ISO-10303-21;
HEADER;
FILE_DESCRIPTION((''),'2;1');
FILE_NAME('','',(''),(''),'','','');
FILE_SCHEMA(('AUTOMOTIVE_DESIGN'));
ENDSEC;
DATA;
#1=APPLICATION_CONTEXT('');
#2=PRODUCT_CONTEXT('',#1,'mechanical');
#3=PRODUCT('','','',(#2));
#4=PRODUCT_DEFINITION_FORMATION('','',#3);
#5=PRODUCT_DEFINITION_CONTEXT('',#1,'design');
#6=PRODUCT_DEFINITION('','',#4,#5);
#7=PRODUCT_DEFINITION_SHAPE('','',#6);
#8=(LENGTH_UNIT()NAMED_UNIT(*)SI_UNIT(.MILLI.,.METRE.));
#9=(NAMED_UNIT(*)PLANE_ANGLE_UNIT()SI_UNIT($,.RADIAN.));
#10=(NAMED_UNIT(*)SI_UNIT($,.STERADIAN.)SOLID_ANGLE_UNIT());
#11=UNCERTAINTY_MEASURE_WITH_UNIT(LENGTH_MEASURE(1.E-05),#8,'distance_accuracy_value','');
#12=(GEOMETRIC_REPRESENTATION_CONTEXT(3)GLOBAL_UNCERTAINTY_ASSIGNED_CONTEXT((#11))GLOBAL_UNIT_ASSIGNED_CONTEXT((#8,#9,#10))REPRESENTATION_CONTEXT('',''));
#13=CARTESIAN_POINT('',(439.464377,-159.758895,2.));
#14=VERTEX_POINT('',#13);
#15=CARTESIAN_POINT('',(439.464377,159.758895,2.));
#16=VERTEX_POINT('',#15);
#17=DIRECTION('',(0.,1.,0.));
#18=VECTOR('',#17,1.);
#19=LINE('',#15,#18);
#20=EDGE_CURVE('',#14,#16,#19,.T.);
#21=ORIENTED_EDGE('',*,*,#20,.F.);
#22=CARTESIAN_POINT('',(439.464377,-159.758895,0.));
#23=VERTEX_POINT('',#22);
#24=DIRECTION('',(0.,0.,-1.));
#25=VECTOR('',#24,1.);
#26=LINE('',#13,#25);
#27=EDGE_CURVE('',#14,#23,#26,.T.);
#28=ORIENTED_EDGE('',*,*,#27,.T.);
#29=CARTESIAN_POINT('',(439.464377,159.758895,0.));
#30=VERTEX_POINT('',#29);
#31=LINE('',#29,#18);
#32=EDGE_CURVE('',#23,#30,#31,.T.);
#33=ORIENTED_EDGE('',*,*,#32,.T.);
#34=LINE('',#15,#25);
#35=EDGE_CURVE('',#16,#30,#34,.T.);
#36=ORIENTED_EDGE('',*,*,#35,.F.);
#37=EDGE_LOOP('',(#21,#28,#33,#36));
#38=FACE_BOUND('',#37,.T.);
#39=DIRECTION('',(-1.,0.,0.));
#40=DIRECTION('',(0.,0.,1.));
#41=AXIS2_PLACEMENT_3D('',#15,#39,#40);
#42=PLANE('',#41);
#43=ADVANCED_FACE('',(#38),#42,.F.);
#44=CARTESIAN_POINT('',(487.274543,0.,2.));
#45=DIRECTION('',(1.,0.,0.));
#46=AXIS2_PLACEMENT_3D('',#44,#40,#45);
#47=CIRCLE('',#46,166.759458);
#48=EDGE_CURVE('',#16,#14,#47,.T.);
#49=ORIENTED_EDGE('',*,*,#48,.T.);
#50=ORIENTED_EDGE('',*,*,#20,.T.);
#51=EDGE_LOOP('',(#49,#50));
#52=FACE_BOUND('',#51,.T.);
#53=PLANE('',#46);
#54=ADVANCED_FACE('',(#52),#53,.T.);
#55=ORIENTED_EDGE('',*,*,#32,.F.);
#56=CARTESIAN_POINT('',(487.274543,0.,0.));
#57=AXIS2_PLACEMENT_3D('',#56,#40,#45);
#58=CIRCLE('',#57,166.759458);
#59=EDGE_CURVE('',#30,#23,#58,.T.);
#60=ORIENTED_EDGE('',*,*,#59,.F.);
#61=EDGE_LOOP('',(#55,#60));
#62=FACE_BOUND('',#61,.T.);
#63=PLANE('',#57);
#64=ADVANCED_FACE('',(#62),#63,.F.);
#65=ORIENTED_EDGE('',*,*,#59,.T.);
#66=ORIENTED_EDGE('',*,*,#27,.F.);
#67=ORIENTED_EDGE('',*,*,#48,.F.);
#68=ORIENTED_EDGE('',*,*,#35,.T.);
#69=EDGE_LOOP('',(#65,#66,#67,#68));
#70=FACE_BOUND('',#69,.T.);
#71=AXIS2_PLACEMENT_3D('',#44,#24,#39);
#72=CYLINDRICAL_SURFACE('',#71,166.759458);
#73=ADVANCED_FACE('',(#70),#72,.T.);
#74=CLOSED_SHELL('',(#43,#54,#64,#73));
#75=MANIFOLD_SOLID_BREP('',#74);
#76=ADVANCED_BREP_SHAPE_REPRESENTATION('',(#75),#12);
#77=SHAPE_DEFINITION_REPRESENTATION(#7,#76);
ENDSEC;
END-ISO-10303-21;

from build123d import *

# Parameters (mm, degrees)
BOSS_EXTRUDE1_DEPTH = 2


with BuildPart() as part:
    # Sketch1 → Boss-Extrude1 (new body)
    with BuildSketch(Plane.XY):
        with BuildLine():
            Line((439.464376559, 159.758895406), (439.464376559, -159.758895406))
            ThreePointArc((439.464376559, -159.758895406), (320.515085623, 0), (439.464376559, 159.758895406))
        make_face()
    extrude(amount=BOSS_EXTRUDE1_DEPTH)


solid = part.part
